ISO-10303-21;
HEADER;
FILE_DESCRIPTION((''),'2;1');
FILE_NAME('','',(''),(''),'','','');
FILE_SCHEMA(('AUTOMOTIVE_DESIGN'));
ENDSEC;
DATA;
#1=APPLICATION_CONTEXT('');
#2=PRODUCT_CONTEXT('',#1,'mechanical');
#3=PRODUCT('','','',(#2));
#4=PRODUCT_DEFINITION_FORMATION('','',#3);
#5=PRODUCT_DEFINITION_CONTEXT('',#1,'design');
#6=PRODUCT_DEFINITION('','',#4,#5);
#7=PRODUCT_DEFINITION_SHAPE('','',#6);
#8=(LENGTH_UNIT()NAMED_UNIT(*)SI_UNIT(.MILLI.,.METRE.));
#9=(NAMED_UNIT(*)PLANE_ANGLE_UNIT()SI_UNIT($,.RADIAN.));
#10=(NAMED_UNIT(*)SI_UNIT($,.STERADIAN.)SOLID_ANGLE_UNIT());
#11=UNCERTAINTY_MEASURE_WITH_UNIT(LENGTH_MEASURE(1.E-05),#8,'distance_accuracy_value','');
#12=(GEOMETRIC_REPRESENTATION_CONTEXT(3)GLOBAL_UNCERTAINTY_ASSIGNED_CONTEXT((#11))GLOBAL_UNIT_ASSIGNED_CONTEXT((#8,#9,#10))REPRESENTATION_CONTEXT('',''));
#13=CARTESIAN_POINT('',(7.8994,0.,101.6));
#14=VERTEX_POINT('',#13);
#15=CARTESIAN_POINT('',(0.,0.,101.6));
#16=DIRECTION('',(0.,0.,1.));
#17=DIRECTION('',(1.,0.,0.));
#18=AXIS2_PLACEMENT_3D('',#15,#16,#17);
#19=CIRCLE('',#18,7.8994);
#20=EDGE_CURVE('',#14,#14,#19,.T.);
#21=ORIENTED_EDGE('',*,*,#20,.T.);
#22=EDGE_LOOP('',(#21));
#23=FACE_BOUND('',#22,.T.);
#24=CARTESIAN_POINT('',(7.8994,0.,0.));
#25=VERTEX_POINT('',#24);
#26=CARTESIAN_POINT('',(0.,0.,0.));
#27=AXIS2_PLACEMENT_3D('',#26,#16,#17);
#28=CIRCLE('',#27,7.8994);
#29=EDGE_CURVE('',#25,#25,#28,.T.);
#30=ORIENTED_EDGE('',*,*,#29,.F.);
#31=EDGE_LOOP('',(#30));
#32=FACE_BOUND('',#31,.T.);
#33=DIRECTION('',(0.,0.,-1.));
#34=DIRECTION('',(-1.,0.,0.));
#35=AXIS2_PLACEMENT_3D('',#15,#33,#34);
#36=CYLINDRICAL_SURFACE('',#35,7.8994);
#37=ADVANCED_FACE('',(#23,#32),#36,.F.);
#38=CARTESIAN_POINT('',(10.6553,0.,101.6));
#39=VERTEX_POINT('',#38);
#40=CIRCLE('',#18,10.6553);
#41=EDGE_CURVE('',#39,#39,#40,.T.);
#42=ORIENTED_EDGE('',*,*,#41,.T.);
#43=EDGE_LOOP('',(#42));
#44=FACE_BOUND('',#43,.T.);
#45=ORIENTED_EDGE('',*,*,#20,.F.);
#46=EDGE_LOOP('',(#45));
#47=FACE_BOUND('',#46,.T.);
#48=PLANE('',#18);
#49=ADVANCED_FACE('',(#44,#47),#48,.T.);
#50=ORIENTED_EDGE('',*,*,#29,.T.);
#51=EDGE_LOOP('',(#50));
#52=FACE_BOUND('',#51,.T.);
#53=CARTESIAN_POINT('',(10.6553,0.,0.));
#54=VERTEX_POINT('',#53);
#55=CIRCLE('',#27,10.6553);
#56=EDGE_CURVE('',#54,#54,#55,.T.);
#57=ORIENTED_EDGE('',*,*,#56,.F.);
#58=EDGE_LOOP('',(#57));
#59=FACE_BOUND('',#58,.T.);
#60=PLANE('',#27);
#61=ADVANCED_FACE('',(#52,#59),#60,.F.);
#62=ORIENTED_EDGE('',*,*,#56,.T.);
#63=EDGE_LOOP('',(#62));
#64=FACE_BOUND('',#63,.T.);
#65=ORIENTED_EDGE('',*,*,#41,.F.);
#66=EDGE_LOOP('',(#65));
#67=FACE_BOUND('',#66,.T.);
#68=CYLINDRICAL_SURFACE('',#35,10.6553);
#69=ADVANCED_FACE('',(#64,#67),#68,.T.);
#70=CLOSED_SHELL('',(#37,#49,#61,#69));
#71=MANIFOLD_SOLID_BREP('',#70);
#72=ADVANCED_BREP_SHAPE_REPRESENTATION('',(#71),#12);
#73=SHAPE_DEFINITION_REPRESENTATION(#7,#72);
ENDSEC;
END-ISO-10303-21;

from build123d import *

# Parameters (mm, degrees)
SKETCH1_R           = 10.6553
SKETCH1_R_2         = 7.8994
BOSS_EXTRUDE1_DEPTH = 101.6


with BuildPart() as part:
    # Sketch1 → Boss-Extrude1 (new body)
    with BuildSketch(Plane.XY):
        Circle(SKETCH1_R)
        Circle(SKETCH1_R_2, mode=Mode.SUBTRACT)
    extrude(amount=BOSS_EXTRUDE1_DEPTH)


solid = part.part
